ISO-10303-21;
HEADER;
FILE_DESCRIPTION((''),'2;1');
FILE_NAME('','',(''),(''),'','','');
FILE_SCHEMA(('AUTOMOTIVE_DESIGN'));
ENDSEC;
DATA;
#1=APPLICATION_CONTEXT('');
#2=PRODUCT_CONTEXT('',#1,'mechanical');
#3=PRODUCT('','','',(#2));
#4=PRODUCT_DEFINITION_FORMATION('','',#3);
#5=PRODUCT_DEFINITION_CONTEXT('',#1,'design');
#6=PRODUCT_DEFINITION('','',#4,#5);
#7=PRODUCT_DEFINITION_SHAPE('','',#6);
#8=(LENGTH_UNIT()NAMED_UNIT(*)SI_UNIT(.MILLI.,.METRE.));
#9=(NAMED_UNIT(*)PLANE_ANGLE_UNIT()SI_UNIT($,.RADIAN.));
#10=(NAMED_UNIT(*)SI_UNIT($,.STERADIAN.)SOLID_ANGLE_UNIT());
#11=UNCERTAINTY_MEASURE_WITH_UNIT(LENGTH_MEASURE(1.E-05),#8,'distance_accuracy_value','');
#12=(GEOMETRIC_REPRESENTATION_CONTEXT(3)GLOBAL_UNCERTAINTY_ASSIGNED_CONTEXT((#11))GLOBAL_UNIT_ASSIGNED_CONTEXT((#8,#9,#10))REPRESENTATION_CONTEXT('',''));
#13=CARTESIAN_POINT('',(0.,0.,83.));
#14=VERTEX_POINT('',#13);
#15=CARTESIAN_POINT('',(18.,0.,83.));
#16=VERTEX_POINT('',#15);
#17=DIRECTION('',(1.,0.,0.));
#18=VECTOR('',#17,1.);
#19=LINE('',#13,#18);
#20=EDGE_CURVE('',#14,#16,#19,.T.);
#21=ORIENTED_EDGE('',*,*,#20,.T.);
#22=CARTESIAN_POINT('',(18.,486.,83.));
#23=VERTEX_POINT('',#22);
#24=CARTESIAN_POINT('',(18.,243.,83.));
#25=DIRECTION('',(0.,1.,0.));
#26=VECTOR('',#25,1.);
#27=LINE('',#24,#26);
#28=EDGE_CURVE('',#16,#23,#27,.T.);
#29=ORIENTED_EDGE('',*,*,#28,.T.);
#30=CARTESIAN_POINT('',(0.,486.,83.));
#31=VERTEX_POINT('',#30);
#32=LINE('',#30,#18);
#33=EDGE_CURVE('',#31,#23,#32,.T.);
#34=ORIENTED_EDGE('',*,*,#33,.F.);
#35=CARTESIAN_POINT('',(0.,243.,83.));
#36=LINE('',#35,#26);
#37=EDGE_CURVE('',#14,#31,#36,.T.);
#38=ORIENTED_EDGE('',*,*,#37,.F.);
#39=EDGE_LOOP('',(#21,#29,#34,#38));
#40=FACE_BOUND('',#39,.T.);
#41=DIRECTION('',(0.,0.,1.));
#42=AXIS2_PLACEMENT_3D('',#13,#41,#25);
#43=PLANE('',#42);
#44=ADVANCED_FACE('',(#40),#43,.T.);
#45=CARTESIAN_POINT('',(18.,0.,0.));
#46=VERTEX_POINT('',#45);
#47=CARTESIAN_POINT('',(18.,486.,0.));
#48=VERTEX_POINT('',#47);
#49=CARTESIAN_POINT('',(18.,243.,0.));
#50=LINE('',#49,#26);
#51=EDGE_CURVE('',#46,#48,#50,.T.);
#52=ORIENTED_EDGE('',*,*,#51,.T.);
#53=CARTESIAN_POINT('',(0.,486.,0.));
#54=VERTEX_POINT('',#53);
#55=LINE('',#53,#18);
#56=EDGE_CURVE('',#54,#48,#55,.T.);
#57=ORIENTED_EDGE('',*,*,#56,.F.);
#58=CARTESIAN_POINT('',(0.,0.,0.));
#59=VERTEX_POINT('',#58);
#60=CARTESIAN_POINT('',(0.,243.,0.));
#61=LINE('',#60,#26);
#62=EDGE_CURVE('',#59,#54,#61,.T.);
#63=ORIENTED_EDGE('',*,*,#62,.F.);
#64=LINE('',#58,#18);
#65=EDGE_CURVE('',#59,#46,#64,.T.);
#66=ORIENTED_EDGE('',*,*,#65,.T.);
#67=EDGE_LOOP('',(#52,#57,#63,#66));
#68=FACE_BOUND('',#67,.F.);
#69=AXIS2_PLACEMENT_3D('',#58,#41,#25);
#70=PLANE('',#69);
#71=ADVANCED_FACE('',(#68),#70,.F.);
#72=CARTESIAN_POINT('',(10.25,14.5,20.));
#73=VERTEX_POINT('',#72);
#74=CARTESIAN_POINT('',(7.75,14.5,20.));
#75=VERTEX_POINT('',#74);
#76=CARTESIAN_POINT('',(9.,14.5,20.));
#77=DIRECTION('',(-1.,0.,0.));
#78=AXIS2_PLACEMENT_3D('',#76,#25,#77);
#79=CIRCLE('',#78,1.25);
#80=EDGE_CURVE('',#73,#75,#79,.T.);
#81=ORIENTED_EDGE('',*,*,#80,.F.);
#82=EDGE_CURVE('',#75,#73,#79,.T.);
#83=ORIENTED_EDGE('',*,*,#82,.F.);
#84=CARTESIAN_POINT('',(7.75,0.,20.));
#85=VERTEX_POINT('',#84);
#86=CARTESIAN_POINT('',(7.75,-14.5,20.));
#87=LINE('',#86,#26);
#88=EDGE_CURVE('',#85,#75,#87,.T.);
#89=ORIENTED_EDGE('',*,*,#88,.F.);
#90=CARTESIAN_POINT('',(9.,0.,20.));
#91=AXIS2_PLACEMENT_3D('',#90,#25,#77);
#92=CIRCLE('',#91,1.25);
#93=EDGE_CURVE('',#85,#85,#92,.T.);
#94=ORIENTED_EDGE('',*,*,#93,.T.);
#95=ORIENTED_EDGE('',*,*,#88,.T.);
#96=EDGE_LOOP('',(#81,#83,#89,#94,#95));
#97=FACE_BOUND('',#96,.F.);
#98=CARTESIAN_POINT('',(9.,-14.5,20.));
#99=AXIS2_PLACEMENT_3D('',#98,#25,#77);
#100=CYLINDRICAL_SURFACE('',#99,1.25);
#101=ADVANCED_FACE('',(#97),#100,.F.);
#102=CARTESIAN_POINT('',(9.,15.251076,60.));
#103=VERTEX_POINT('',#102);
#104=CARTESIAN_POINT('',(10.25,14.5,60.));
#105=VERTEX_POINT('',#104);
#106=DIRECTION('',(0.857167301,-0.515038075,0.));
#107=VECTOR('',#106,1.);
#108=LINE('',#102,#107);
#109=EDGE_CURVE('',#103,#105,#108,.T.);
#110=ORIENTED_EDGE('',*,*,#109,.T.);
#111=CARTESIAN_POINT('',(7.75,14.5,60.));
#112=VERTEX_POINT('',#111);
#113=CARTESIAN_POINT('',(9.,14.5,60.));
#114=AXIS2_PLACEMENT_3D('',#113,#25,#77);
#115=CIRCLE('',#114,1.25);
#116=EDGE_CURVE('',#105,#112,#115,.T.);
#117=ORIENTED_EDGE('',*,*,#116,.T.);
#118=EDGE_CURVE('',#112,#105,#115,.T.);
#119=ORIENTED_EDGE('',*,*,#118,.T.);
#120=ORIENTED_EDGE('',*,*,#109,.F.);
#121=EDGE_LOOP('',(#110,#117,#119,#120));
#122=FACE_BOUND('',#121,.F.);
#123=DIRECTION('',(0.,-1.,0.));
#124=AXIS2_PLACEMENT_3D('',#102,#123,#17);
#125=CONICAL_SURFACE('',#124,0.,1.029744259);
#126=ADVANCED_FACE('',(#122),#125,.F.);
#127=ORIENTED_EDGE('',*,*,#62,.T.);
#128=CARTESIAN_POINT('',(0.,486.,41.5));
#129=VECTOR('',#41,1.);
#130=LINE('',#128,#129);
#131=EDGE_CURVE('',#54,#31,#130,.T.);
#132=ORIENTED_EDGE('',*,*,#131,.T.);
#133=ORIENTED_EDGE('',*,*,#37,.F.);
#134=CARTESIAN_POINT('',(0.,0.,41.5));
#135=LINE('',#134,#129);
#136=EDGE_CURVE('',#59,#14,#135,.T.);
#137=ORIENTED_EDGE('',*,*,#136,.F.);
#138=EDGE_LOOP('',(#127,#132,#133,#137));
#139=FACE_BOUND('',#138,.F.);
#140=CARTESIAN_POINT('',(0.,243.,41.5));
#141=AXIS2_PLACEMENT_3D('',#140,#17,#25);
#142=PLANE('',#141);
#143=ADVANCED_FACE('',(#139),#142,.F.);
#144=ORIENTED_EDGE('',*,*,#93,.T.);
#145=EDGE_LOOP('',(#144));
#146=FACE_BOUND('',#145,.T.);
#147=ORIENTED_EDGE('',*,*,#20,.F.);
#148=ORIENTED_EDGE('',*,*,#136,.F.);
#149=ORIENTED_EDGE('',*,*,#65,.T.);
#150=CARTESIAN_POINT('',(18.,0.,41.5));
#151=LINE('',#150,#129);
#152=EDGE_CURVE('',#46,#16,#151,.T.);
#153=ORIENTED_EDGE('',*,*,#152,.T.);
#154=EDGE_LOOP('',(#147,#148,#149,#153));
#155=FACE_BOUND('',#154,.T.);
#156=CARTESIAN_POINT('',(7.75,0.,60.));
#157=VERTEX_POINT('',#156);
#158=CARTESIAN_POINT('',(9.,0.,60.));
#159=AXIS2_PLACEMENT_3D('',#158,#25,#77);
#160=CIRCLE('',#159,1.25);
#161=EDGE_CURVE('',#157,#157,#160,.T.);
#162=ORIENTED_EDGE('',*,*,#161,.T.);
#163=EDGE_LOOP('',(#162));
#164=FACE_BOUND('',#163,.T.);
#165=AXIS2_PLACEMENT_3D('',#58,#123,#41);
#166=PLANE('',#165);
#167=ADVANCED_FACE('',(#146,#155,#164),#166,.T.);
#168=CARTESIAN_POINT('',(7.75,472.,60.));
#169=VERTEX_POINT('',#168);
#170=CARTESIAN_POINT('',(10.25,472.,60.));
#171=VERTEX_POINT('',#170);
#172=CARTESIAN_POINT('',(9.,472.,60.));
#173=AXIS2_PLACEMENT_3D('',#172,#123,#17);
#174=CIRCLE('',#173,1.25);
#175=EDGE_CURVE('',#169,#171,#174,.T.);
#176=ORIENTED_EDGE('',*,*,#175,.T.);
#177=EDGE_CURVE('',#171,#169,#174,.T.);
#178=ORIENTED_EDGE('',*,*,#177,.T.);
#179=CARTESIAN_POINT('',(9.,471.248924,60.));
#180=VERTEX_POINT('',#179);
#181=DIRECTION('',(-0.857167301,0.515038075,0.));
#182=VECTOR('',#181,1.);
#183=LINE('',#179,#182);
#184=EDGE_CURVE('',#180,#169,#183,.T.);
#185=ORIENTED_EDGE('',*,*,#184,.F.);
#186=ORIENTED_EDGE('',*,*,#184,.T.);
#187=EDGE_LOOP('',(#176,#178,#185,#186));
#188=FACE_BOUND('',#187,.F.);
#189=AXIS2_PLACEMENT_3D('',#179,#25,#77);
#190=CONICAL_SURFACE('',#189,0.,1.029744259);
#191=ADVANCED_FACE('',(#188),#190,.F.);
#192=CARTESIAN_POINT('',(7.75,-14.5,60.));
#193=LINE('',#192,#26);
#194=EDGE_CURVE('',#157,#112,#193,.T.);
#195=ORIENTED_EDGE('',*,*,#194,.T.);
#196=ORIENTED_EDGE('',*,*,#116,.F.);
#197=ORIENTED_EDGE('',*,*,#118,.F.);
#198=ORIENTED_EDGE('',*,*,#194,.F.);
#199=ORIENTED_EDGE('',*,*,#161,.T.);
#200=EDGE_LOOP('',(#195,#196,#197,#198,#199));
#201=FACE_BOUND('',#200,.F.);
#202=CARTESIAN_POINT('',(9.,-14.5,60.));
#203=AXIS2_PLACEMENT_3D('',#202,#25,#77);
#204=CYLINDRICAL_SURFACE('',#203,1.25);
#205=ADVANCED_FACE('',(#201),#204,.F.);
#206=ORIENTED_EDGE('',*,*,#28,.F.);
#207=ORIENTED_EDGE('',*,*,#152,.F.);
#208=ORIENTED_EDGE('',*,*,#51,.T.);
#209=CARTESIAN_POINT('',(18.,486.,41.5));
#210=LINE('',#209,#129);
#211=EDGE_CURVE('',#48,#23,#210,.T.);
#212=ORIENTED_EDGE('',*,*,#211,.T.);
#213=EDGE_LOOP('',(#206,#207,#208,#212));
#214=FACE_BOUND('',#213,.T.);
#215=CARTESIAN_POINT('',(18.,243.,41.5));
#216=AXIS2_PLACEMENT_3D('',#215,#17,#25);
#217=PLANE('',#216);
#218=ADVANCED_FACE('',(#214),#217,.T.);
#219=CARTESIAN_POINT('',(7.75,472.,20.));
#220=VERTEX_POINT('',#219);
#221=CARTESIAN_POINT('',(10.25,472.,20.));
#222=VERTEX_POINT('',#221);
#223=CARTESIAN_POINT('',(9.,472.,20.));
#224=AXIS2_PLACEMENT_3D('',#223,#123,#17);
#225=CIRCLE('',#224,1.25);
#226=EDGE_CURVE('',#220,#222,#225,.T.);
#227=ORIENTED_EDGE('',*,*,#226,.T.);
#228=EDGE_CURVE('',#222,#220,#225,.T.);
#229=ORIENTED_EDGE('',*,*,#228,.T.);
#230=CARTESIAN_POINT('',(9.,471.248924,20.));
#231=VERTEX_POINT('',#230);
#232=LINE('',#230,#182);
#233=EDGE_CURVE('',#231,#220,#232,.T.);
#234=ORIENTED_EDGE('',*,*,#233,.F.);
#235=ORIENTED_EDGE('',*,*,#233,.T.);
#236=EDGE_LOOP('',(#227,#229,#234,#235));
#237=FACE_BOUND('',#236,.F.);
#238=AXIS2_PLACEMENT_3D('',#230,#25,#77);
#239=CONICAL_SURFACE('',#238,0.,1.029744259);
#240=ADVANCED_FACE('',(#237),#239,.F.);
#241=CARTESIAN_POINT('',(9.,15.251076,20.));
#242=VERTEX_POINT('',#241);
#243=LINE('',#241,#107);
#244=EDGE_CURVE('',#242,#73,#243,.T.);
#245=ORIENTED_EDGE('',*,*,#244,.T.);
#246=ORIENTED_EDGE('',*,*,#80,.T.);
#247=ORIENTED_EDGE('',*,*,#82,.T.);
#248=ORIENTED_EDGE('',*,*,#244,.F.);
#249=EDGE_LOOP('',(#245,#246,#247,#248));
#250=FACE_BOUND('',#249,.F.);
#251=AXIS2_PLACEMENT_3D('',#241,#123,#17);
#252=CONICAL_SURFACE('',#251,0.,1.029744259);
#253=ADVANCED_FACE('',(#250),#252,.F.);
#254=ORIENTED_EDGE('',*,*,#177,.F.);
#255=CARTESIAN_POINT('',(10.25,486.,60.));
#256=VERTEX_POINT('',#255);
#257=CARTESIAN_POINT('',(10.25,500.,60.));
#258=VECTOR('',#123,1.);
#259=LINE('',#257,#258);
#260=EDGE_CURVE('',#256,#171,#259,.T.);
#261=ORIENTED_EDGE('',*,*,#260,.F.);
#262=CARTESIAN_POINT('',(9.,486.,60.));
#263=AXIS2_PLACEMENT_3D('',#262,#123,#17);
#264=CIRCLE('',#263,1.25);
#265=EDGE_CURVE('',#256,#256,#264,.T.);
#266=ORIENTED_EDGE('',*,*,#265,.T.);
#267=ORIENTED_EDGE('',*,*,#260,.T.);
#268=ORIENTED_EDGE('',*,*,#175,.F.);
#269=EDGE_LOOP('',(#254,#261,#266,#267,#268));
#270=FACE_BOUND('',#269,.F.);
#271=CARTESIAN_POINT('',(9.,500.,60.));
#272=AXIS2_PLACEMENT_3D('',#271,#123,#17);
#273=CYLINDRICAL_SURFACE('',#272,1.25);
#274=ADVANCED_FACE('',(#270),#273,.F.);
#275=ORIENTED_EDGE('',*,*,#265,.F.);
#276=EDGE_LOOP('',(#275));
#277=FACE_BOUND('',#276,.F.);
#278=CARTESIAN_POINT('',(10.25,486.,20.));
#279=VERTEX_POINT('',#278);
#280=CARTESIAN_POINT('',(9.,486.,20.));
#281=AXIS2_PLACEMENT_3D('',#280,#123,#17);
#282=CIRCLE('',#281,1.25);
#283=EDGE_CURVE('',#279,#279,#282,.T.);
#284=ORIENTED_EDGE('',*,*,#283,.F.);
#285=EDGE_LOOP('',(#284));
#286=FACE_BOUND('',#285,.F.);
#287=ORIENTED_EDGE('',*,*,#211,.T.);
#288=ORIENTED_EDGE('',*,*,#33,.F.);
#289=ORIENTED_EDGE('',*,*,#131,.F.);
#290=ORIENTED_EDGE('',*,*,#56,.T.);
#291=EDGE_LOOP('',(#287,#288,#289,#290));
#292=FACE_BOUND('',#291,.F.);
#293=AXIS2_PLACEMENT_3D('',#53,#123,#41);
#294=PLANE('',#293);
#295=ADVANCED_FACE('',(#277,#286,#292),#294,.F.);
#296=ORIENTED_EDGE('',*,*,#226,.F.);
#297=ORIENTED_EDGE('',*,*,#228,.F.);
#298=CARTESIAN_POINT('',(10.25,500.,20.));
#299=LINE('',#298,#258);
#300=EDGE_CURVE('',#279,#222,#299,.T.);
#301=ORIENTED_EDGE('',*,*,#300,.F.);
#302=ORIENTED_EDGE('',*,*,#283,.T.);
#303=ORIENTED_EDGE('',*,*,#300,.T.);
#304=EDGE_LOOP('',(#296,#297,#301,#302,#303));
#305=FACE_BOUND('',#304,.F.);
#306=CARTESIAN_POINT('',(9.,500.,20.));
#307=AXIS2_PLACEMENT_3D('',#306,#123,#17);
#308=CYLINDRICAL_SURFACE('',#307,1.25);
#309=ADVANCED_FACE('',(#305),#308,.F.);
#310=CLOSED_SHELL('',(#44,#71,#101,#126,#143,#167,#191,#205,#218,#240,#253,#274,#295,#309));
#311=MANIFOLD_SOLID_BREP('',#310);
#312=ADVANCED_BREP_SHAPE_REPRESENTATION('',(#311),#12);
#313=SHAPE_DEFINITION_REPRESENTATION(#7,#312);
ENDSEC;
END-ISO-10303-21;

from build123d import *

# Parameters (mm, degrees)
F0_W     = 486
F0_H     = 83
F1_DEPTH = 18
F3_D     = 2.5
F3_DEPTH = 14.5
F3_TIP   = 0.7510757738
F5_D     = 2.5
F5_DEPTH = 14
F5_TIP   = 0.7510757738


with BuildPart() as f1:
    # F0 (on Right) → F1 (new body)
    with BuildSketch(Plane.YZ):
        with Locations((243, 41.5)):
            Rectangle(F0_W, F0_H)
    extrude(amount=F1_DEPTH)

    # F3
    with Locations(Plane.XZ):
        with Locations((9, 20), (9, 60)):
            Hole(F3_D / 2, depth=F3_DEPTH)
            with Locations((0, 0, -(F3_DEPTH + F3_TIP / 2))):  # 118° drill point
                Cone(0, F3_D / 2, F3_TIP, mode=Mode.SUBTRACT)

    # F5
    with Locations(Plane(origin=(0, 486, 0), x_dir=(-1, 0, 0), z_dir=(0, 1, 0))):
        with Locations((-9, 60), (-9, 20)):
            Hole(F5_D / 2, depth=F5_DEPTH)
            with Locations((0, 0, -(F5_DEPTH + F5_TIP / 2))):  # 118° drill point
                Cone(0, F5_D / 2, F5_TIP, mode=Mode.SUBTRACT)


solid = f1.part
